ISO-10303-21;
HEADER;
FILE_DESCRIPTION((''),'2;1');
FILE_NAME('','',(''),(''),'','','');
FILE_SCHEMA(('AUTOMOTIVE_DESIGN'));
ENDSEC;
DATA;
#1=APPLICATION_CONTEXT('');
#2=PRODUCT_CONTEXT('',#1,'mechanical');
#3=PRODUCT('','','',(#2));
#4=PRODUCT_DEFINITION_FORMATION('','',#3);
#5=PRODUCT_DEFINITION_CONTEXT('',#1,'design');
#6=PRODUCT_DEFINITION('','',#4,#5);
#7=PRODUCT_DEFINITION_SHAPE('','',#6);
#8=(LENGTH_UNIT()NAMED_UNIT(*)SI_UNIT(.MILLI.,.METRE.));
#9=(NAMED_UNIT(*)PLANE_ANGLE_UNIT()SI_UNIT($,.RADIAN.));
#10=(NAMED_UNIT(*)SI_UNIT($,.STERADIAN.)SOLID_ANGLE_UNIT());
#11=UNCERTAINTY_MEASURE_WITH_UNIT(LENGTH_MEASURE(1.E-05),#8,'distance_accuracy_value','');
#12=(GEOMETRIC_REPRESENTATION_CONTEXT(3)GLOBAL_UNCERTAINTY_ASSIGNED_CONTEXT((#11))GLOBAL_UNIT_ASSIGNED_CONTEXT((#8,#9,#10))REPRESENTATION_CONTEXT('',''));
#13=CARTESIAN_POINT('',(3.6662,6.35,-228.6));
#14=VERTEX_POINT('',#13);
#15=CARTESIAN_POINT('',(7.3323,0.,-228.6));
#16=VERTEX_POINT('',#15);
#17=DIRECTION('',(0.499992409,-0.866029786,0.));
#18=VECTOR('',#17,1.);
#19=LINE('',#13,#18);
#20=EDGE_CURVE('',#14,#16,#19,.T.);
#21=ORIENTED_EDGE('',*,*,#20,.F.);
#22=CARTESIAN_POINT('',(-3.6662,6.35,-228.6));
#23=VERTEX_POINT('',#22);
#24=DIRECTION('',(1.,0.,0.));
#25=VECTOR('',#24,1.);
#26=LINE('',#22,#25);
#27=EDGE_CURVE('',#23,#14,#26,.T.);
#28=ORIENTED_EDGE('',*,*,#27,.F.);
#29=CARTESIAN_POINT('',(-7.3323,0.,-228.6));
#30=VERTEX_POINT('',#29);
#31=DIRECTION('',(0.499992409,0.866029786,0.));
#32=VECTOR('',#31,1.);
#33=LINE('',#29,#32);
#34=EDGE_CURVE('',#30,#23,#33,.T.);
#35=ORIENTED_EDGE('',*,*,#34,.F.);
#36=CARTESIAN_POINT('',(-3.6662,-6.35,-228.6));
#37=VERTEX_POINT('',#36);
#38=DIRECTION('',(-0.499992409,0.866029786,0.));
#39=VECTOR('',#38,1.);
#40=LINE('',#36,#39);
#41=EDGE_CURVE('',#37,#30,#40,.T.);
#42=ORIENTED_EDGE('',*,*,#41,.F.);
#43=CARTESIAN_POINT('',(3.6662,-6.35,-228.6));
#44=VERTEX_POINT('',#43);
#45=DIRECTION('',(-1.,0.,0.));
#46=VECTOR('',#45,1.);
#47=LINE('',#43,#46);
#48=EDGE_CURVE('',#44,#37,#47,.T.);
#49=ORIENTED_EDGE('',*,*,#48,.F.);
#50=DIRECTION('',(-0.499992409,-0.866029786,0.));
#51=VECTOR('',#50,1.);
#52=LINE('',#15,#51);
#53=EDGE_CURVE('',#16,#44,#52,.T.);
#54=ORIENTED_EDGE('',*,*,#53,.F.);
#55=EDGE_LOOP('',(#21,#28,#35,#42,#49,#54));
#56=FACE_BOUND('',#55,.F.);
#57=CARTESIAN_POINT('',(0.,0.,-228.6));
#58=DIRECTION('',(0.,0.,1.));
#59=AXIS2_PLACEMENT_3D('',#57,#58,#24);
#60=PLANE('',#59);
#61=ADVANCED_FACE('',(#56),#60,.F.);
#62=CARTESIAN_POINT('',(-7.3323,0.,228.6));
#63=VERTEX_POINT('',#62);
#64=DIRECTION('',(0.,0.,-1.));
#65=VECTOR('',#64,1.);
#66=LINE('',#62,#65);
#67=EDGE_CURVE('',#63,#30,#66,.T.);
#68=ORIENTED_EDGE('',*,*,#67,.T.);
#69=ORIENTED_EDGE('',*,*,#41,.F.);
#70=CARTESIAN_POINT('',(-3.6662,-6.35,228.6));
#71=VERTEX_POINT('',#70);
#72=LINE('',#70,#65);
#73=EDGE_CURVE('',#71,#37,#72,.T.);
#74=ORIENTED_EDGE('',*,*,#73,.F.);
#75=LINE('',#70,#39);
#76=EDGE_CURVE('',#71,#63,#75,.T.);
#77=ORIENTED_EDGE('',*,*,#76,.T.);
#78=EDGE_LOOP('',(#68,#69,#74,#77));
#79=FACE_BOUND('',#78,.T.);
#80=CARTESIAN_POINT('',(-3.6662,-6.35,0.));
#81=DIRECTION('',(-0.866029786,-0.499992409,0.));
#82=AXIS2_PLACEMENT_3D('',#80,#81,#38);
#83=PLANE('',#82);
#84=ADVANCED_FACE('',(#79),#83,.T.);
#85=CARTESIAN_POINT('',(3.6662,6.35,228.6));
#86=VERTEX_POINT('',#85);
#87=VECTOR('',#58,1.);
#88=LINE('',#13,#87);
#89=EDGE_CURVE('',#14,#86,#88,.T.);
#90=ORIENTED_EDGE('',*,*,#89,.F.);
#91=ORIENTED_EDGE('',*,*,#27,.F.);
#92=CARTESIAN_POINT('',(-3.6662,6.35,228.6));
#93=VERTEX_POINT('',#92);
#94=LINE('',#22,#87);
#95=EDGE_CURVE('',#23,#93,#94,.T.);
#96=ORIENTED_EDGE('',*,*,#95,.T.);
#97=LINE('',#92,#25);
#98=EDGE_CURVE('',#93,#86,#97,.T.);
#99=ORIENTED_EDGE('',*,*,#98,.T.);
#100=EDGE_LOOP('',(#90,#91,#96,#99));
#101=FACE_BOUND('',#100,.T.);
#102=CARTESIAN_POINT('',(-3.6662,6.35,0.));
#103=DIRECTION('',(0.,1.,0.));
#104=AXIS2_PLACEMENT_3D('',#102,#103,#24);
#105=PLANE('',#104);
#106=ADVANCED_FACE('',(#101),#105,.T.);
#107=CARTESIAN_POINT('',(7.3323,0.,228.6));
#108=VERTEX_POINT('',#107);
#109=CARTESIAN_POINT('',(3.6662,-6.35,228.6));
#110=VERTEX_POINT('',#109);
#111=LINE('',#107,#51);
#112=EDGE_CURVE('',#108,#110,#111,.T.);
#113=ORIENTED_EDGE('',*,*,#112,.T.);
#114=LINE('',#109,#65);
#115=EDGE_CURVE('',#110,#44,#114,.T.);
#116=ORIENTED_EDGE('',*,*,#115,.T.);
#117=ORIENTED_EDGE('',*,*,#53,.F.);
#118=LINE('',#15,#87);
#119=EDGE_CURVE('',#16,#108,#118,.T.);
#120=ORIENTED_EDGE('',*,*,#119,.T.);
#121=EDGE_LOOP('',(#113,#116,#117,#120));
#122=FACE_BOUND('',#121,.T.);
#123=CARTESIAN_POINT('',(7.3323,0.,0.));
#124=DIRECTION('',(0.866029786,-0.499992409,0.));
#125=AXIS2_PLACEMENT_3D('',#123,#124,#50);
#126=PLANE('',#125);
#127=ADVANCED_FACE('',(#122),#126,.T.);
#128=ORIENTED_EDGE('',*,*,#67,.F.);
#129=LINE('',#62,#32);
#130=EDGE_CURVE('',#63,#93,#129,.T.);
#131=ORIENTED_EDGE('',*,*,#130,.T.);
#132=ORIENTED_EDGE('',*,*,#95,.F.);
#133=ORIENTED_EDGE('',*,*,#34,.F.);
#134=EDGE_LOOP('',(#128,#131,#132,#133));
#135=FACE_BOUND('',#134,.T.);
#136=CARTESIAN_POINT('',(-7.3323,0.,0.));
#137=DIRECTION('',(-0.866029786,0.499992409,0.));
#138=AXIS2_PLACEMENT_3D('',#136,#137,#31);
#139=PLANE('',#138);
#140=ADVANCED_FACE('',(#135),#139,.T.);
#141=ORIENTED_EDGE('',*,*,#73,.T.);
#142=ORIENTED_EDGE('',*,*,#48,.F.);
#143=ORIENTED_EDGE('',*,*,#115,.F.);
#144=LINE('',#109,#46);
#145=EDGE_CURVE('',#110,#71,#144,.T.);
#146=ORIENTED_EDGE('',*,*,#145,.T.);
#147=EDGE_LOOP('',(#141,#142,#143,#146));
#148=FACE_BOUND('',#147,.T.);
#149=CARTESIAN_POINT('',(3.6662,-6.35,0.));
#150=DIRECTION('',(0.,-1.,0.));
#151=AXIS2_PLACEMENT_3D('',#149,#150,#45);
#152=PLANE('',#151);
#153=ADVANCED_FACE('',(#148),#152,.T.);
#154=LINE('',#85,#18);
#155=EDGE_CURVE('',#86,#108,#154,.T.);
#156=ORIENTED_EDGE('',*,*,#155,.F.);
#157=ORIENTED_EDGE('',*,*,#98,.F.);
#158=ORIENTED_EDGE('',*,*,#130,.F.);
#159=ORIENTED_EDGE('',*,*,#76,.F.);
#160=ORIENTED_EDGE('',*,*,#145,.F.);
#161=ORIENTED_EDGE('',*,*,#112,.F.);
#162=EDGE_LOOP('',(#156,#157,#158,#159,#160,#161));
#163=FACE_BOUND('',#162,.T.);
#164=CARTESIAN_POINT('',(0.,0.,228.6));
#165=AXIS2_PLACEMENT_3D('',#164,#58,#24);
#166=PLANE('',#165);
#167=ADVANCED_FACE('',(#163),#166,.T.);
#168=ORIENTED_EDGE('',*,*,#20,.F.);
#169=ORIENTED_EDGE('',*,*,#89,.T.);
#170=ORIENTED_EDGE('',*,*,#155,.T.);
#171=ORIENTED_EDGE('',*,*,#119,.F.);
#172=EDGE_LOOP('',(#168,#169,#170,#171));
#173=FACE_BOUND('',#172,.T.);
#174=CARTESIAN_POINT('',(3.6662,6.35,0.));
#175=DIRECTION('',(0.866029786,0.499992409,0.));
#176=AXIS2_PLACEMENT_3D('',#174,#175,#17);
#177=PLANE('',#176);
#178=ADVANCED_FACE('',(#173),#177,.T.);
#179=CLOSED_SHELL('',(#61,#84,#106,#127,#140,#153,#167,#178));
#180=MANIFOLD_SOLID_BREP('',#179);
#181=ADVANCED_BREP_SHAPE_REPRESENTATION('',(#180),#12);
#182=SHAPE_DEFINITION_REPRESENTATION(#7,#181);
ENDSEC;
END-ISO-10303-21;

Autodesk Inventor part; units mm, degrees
ref_plane "YZ Plane" through (0, 0, 0) normal (1, 0, 0) x (0, 1, 0)
ref_plane "XZ Plane" through (0, 0, 0) normal (0, 1, 0) x (-1, 0, 0)
sketch "Sketch1" plane through (0, 0, 0) normal (0, 0, 1) x (1, 0, 0)
  line L0 (7.3323, 0) -> (3.6662, -6.35)
  line L1 (3.6662, -6.35) -> (-3.6662, -6.35)
  line L2 (-3.6662, -6.35) -> (-7.3323, 0)
  line L3 (-7.3323, 0) -> (-3.6662, 6.35)
  line L4 (-3.6662, 6.35) -> (3.6662, 6.35)
  line L5 (3.6662, 6.35) -> (7.3323, 0)
  point P0 (0, 0)
  point P1 (0, 0)
  dimension "d0" = 12.7
extrude "Extrusion1" add sketch "Sketch1" along normal mid plane 457.2
properties part number "hexExtrusion"
